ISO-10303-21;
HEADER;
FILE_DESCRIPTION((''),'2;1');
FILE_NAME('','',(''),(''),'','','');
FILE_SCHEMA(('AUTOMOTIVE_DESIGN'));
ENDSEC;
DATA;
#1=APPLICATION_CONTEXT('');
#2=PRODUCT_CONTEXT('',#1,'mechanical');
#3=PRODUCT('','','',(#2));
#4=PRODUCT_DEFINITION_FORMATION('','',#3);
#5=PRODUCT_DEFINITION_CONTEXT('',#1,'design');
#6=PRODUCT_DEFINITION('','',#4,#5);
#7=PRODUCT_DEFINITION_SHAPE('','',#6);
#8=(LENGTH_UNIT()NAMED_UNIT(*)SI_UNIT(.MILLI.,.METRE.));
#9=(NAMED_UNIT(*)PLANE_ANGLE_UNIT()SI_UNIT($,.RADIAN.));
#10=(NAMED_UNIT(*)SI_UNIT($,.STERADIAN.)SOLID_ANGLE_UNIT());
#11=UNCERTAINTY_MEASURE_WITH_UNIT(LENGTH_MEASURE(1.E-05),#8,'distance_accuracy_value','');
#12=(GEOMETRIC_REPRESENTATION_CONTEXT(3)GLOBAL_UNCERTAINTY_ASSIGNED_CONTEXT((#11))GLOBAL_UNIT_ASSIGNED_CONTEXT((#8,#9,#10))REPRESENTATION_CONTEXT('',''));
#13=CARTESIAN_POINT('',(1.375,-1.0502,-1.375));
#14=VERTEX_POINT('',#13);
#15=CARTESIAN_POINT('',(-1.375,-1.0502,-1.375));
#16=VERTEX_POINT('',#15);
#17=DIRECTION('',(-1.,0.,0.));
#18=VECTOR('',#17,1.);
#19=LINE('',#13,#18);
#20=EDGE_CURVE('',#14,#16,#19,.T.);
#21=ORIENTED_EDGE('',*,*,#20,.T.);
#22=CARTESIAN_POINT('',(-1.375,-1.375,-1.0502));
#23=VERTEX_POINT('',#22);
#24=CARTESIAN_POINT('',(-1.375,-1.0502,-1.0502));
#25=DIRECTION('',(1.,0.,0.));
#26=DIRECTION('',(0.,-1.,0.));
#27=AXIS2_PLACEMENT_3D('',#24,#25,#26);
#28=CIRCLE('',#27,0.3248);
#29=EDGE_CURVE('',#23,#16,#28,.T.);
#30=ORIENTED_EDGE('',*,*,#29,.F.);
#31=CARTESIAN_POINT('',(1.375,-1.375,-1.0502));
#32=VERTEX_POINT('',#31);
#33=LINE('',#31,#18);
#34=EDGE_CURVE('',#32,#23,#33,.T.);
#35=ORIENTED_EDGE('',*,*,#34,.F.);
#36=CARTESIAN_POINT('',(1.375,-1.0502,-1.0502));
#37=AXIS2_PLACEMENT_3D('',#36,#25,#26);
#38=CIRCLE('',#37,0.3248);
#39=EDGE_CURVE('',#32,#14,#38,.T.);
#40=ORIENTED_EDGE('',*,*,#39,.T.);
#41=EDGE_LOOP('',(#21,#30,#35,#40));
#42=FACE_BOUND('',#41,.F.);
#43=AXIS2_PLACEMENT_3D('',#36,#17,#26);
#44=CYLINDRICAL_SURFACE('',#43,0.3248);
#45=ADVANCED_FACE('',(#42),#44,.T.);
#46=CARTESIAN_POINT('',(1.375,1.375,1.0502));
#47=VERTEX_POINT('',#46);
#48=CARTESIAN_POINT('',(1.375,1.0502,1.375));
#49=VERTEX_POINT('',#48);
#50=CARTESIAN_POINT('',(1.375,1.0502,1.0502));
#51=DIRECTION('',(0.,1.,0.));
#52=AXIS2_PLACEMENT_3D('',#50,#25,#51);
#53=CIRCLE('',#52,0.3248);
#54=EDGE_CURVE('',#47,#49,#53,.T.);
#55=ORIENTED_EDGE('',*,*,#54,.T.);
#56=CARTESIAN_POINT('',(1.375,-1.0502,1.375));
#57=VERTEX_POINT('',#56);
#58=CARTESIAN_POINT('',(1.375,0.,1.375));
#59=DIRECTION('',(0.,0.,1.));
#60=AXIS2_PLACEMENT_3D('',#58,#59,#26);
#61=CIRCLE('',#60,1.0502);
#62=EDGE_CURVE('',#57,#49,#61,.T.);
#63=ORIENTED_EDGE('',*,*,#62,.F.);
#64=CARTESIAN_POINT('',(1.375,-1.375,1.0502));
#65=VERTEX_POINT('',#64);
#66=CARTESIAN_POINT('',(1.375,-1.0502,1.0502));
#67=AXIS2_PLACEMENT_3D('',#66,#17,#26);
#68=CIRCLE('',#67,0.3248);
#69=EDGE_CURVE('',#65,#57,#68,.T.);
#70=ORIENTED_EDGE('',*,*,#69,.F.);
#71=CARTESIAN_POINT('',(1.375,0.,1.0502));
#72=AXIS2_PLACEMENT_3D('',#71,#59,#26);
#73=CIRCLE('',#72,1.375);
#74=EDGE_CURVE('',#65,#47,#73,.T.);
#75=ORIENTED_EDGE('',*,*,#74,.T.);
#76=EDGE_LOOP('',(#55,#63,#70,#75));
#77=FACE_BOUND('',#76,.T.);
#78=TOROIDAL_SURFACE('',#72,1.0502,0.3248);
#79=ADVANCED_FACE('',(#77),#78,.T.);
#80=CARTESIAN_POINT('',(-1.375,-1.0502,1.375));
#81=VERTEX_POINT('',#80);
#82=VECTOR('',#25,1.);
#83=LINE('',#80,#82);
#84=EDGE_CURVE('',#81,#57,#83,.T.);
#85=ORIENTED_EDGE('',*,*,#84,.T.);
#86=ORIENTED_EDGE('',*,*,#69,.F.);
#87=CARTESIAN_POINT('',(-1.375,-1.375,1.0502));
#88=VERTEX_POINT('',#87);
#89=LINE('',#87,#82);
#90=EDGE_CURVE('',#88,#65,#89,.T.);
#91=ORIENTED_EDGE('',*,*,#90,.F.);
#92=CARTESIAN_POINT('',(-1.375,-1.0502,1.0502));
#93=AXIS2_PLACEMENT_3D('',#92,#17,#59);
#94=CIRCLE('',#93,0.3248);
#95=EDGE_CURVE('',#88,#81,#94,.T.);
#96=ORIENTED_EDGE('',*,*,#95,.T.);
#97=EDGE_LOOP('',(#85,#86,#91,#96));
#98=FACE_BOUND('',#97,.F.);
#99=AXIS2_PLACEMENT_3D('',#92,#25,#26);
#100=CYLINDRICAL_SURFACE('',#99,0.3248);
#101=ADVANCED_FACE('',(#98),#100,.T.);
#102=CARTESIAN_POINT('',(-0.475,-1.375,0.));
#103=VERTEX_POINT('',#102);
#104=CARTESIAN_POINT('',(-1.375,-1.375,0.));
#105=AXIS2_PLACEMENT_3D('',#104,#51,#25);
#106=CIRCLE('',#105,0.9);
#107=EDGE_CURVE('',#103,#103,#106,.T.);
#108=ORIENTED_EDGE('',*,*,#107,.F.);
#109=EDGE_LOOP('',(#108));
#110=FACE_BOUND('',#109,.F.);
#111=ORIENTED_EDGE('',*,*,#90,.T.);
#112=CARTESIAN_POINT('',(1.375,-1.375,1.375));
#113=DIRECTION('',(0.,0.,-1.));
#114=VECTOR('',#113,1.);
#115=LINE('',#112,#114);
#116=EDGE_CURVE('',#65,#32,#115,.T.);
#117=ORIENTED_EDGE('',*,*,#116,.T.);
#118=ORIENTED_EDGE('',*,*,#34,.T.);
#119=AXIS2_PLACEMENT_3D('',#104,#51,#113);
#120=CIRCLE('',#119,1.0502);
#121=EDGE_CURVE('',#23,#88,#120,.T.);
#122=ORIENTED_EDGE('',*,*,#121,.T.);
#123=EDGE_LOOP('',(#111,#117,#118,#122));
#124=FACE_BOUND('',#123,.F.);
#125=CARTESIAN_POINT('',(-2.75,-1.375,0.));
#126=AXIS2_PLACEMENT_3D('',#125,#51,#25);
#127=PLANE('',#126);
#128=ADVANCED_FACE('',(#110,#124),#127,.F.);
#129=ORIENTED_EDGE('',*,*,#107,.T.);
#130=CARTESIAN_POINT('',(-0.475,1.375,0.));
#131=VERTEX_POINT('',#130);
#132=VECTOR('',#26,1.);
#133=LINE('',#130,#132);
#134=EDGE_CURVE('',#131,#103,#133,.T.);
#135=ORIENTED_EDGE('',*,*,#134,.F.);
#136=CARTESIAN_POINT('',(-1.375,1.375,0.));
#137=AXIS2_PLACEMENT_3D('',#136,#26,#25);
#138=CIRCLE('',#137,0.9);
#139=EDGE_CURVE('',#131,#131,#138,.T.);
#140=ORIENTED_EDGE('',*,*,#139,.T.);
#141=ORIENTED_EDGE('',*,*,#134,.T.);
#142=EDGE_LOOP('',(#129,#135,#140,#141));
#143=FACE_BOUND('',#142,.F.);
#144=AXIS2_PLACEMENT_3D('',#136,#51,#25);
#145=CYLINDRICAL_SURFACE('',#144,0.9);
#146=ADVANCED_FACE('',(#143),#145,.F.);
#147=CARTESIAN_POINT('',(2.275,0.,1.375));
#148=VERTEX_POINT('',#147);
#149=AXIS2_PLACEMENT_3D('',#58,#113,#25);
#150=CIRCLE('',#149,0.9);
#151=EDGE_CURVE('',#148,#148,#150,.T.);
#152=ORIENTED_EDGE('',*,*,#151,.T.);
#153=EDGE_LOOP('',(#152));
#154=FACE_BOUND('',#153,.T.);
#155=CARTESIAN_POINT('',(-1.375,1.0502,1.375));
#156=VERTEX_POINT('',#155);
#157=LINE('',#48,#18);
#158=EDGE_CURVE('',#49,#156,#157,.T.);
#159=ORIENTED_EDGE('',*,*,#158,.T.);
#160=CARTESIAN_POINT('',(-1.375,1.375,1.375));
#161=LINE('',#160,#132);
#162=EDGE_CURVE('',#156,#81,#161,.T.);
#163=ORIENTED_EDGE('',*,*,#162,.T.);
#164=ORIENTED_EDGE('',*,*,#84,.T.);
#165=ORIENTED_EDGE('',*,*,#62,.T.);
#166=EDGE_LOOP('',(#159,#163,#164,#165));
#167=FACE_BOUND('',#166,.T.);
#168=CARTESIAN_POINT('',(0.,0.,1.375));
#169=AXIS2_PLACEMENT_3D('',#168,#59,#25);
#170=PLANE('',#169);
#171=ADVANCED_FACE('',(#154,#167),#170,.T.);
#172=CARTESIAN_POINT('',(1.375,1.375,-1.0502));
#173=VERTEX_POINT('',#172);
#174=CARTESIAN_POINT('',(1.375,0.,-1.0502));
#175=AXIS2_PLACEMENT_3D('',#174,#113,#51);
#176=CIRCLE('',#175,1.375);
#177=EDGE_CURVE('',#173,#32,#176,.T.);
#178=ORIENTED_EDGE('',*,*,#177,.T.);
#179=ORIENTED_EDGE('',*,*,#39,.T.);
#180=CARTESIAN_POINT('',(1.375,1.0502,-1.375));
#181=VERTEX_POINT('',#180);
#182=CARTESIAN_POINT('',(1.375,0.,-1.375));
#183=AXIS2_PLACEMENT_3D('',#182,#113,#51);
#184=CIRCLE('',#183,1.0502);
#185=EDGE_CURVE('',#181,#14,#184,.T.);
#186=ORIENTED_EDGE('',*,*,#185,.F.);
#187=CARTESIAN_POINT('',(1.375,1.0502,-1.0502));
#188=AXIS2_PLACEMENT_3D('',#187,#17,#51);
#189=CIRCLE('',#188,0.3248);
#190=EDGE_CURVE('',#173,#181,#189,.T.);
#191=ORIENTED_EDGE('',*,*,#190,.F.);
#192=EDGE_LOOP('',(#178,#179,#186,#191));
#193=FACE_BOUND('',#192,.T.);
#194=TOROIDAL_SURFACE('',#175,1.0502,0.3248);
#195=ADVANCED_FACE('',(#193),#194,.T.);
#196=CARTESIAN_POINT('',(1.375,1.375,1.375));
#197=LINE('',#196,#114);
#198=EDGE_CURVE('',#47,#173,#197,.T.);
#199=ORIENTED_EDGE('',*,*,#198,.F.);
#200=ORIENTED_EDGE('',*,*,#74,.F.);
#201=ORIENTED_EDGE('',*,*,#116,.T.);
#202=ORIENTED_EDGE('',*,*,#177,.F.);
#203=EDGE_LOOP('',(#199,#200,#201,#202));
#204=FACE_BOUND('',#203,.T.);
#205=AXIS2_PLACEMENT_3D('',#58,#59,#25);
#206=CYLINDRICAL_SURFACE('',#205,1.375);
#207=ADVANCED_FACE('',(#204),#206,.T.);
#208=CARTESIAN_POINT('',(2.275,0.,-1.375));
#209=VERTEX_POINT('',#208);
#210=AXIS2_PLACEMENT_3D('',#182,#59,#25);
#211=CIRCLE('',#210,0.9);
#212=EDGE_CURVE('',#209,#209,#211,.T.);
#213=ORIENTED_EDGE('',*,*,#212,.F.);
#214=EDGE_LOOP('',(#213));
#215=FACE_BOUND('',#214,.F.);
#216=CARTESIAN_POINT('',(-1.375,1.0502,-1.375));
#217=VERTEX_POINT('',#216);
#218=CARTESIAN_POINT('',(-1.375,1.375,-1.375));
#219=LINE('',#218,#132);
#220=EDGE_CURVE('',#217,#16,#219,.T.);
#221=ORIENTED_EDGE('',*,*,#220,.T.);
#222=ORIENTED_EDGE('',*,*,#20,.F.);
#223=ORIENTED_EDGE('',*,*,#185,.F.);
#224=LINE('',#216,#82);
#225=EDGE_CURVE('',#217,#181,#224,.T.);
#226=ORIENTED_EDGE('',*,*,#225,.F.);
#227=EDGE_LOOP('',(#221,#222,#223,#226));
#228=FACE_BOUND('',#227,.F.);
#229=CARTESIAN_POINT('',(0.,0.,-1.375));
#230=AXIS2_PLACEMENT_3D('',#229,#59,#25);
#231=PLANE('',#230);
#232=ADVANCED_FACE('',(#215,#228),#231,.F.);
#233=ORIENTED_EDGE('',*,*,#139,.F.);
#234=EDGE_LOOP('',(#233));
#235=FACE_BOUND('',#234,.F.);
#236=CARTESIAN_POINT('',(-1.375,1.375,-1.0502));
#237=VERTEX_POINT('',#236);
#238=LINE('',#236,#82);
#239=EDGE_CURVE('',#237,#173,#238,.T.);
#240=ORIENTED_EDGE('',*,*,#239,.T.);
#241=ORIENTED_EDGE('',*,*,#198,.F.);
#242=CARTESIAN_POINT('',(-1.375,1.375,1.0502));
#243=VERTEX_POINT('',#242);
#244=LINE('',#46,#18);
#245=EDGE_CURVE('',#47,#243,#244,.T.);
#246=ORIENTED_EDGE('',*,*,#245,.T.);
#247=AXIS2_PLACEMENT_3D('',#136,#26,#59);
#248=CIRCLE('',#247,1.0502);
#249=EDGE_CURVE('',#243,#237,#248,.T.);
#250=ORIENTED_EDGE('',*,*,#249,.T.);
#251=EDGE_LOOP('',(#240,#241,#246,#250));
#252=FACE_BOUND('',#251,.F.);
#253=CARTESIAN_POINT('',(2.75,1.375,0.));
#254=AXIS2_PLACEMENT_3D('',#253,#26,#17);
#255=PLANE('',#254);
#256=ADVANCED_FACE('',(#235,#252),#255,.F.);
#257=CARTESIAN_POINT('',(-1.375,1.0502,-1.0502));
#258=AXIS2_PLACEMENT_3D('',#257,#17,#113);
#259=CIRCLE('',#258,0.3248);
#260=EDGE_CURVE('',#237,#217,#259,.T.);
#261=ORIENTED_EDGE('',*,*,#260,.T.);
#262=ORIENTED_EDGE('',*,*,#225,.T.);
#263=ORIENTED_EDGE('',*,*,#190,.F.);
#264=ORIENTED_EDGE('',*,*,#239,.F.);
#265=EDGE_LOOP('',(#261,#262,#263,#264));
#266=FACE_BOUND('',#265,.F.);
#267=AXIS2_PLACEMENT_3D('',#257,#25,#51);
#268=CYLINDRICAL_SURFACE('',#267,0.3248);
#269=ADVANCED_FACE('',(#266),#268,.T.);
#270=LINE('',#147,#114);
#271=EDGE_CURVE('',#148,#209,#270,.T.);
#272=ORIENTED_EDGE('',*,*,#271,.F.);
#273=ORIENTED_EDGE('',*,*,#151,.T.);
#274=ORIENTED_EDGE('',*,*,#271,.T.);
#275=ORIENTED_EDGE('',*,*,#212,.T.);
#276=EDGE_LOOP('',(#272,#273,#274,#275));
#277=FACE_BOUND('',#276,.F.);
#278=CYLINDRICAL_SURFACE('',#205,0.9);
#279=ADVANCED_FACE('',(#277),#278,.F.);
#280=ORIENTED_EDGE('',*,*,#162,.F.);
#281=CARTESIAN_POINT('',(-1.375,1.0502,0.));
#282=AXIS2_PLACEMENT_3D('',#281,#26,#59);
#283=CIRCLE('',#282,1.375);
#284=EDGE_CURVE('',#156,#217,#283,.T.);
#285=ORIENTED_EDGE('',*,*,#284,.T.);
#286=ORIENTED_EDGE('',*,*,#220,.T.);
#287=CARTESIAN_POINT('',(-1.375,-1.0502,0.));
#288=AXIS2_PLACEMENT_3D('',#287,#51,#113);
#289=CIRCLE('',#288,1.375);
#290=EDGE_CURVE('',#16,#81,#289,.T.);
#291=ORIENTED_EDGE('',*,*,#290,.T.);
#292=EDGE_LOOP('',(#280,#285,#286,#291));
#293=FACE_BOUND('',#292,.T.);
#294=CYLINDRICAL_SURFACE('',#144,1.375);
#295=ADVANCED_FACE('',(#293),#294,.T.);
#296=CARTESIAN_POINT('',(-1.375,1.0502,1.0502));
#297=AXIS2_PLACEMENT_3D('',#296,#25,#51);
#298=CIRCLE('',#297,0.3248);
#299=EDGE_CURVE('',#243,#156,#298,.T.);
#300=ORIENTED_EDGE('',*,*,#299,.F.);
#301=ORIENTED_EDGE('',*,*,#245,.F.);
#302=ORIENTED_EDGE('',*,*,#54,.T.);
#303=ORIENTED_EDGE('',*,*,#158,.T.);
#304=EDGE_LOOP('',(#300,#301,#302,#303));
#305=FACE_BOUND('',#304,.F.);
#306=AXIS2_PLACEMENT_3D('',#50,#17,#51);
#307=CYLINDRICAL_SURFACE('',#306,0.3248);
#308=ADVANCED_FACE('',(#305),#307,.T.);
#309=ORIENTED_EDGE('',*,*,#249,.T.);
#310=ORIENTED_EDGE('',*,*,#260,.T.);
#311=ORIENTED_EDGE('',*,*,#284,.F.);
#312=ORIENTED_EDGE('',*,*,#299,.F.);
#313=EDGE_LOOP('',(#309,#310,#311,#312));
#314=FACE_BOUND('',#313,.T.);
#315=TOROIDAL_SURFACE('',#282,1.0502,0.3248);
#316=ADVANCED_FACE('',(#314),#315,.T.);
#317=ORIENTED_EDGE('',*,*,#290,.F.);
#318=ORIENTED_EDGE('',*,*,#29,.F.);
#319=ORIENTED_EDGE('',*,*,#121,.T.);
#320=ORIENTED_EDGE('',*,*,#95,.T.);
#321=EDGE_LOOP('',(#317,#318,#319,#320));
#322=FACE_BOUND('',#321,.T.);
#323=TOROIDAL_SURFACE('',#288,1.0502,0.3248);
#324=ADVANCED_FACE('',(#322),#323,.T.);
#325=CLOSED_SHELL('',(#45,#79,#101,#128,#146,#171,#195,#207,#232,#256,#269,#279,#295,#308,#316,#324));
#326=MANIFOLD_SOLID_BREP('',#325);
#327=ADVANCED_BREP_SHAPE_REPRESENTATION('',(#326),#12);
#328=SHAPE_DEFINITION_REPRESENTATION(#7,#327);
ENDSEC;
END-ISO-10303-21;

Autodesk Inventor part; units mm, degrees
ref_plane "YZ Plane" through (0, 0, 0) normal (1, 0, 0) x (0, 1, 0)
ref_plane "XZ Plane" through (0, 0, 0) normal (0, 1, 0) x (-1, 0, 0)
ref_plane "XY Plane" through (0, 0, 0) normal (0, 0, 1) x (1, 0, 0)
sketch "Sketch1" plane through (0, 0, 0) normal (0, 0, 1) x (1, 0, 0)
  line L0 (-2.75, -1.375) -> (2.75, -1.375)
  line L1 (2.75, -1.375) -> (2.75, 1.375)
  line L2 (2.75, 1.375) -> (-2.75, 1.375)
  line L3 (-2.75, 1.375) -> (-2.75, -1.375)
  line L4 (-2.75, -1.375) -> (2.75, 1.375) construction
  line L5 (2.75, -1.375) -> (-2.75, 1.375) construction
  point P0 (0, 0)
  dimension "d0" = 5.5
  dimension "d1" = 2.75
extrude "Extrusion1" add sketch "Sketch1" along normal mid plane 2.75
sketch "Sketch2" plane through (0, 0, 1.375) normal (0, 0, 1) x (1, 0, 0)
  circle A0 centre (1.375, 0) radius 1.375
  line L0 (2.75, 1.375) -> (-2.75, 1.375) projected
  line L1 (2.75, -1.375) -> (2.75, 1.375) projected
  line L2 (1.375, 0) -> (1.375, 1.375)
  line L3 (1.375, 1.375) -> (2.75, 1.375)
  line L4 (2.75, 1.375) -> (2.75, -1.375)
  line L5 (-2.75, -1.375) -> (2.75, -1.375) projected
  line L6 (2.75, -1.375) -> (1.375, -1.375)
  circle A1 centre (1.375, 0) radius 0.9
  point P0 (0, 0)
  point P1 (2.75, 0)
  dimension "d4" = 1.8
extrude "Extrusion2" cut sketch "Sketch2" against normal through all contours A1 | L1 L5 A0 | A0 L0 L1
sketch "Sketch3" plane through (-2.75, 1.375, 1.375) normal (0, 1, 0) x (1, 0, 0)
  line L0 (0, 2.75) -> (0, 0) projected
  line L1 (0, 1.375) -> (4.125, 1.375)
  line L2 (4.125, 2.75) -> (4.125, 0) projected
  circle A0 centre (1.375, 1.375) radius 1.375
  line L3 (0, 2.75) -> (4.125, 2.75) projected
  line L4 (0, 0) -> (0, 2.75) projected
  circle A1 centre (1.375, 1.375) radius 0.9
  line L5 (1.375, 1.375) -> (1.375, 0)
  line L6 (0, 0) -> (4.125, 0) projected
  line L7 (1.375, 0) -> (0, 0)
  line L8 (0, 0) -> (0, 2.75)
  line L9 (0, 2.75) -> (1.375, 2.75)
  point P0 (2.75, 1.375)
  dimension "d7" = 1.8
extrude "Extrusion3" cut sketch "Sketch3" against normal blind 2.75 contours L3 A0 L0 | A0 L6 L0 | A1 L1 | L1 L5 A1 | L1 A1 L5
fillet "Fillet1" radius 0.3248 8 edges at (0, 1.375, 1.375) (2.75, 0, 1.375) (0, -1.375, 1.375) (-2.75, -1.375, 0) (0, -1.375, -1.375) (2.75, 0, -1.375) (0, 1.375, -1.375) (-2.75, 1.375, 0)
properties part number "KNUCKLE_Dedao"
